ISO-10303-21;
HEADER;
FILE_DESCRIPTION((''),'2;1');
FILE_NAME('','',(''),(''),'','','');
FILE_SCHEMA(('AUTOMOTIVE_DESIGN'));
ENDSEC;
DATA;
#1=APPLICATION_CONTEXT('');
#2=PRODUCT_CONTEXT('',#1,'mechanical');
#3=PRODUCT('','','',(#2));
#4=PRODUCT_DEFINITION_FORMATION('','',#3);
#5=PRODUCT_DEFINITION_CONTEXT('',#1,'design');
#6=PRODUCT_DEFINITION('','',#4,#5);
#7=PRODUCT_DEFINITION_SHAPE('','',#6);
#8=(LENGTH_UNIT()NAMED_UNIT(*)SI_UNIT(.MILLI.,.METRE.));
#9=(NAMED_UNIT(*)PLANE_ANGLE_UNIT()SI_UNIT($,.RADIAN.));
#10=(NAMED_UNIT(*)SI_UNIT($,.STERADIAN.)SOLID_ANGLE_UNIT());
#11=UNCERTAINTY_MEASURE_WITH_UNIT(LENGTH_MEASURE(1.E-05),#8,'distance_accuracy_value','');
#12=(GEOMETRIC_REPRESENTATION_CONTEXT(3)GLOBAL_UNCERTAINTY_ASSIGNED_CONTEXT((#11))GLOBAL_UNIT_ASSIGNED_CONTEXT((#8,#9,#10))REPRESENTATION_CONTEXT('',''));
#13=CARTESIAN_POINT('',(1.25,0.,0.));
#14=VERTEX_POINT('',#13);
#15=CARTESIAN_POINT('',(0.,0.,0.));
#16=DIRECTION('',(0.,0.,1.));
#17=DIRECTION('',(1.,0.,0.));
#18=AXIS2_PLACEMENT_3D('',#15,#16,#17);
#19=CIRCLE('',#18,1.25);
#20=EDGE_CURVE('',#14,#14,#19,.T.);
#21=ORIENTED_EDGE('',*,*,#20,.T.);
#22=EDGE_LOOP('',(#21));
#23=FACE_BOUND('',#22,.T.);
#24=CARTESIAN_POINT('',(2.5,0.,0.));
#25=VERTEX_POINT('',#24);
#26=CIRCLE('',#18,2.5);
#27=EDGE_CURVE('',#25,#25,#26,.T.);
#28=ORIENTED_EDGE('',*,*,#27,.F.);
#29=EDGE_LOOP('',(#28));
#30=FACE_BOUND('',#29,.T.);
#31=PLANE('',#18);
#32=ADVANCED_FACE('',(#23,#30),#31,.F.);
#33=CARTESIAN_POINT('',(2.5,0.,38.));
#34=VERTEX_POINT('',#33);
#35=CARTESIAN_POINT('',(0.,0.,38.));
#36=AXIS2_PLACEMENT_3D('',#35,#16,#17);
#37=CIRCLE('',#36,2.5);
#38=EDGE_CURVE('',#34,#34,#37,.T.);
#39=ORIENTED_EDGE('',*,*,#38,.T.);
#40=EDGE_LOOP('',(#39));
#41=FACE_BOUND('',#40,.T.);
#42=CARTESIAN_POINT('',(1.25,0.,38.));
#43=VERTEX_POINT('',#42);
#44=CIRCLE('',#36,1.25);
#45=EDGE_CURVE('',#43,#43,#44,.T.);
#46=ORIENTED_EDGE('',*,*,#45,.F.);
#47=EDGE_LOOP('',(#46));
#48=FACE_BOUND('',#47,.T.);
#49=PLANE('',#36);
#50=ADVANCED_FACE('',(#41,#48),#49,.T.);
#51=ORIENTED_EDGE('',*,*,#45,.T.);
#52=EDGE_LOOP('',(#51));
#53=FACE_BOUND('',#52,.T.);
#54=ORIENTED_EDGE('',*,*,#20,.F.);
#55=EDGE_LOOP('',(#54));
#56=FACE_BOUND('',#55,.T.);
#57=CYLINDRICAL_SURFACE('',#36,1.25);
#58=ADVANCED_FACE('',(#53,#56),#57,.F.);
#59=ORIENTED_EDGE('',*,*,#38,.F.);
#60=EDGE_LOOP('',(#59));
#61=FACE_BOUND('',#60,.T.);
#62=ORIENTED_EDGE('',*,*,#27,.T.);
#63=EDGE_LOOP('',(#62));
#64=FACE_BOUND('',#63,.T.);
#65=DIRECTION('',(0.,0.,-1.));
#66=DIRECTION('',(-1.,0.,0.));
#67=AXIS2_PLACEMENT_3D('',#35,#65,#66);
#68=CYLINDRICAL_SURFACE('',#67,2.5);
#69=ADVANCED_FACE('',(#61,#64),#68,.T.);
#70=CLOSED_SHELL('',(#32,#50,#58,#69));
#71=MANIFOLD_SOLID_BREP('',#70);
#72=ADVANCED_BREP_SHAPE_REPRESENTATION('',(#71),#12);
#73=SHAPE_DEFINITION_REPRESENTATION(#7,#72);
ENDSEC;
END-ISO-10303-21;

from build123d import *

# Parameters (mm, degrees)
SKETCH_1_R         = 2.5
EXTRUDE_1_DEPTH    = 38
HOLE_WIZARD_M3_1_D = 2.5


with BuildPart() as part:
    # 草图1 → 凸台-拉伸1 (new body)
    with BuildSketch(Plane.XY):
        Circle(SKETCH_1_R)
    extrude(amount=EXTRUDE_1_DEPTH)

    # M3 螺纹孔1 (through all)
    with Locations(Plane.XY.offset(38)):
        with Locations((0, 0)):
            Hole(HOLE_WIZARD_M3_1_D / 2)


solid = part.part
